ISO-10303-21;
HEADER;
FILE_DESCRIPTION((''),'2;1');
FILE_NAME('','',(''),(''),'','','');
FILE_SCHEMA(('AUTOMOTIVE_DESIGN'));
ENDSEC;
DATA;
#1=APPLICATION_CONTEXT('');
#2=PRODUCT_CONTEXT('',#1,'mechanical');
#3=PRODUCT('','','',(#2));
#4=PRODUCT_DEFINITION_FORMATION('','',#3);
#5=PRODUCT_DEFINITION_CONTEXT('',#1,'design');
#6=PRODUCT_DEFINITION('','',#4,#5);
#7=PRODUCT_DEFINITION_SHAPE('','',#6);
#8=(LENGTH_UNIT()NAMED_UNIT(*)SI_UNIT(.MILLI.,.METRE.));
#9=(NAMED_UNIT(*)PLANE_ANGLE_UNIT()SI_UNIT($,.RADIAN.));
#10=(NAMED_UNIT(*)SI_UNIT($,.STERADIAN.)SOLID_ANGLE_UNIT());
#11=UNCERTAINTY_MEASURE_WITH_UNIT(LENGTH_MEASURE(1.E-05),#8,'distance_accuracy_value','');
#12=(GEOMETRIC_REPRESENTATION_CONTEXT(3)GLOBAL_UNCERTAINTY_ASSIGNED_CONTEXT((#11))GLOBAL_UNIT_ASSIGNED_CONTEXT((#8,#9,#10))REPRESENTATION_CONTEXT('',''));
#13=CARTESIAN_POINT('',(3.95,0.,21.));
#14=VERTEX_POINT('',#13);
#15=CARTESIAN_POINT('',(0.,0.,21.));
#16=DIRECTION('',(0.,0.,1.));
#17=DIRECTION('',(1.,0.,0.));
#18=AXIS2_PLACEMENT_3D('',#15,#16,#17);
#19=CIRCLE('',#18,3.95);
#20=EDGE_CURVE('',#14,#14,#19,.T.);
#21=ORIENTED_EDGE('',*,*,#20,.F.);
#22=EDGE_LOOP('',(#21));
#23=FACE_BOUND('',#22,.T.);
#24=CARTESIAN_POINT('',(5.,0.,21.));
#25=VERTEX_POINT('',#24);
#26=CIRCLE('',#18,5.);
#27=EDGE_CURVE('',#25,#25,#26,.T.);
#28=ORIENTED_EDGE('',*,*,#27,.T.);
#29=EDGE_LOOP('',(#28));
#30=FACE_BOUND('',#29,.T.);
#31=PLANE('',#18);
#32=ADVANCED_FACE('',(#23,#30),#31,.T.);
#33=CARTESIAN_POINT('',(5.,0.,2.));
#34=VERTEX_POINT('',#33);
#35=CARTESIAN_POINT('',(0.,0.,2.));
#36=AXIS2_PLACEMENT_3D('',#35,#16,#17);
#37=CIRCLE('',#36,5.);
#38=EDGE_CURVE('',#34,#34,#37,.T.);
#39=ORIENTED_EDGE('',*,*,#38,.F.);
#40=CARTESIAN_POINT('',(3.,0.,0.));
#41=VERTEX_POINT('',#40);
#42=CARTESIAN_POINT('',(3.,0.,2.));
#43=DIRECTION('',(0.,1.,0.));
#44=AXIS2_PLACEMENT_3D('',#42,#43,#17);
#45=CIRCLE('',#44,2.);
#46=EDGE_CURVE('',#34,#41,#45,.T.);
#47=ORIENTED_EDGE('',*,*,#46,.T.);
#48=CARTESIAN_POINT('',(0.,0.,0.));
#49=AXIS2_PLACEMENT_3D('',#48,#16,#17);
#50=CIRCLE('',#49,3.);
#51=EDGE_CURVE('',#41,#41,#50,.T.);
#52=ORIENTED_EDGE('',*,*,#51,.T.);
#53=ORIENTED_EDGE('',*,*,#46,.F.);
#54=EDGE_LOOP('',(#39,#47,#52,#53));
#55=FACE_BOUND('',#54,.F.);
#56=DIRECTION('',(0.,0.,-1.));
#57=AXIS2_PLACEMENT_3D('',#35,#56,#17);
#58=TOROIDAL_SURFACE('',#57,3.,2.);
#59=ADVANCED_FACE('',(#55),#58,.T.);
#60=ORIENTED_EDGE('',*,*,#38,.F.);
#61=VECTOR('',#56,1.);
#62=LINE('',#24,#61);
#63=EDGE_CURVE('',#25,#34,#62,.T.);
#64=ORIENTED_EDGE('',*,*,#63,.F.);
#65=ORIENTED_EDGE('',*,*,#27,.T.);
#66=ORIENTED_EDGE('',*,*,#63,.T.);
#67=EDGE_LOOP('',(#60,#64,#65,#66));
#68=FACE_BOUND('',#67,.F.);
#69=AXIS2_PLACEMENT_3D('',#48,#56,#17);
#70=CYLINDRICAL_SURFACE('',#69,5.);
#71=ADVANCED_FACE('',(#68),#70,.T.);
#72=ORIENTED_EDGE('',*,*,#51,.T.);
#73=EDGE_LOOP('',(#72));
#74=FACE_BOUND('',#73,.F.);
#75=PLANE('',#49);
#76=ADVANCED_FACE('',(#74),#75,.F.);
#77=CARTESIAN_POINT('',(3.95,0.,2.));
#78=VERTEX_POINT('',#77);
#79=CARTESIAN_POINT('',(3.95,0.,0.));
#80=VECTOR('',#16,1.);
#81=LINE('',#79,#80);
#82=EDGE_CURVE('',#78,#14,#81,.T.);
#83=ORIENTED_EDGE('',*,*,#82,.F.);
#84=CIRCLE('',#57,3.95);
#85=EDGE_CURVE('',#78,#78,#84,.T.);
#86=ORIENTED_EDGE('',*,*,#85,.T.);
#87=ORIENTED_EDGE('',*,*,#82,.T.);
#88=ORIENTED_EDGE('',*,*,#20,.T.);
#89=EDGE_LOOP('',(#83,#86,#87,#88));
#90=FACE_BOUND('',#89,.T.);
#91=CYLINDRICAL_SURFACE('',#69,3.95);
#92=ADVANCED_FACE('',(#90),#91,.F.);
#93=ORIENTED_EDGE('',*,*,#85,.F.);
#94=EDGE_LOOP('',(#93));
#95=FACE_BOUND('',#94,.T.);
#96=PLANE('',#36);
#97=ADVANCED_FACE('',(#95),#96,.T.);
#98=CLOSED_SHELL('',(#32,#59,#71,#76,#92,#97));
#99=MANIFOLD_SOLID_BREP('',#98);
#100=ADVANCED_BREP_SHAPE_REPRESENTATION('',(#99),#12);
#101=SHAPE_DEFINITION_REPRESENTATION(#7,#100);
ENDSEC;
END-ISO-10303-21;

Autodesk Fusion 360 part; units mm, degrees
sketch "Sketch1" plane through (0, 0, 0) normal (0, 0, 1) x (1, 0, 0)
  circle A0 centre (0, 0) radius 5
  circle A1 centre (0, 0) radius 3.95
  dimension "d1" = 10
  dimension "d2" = 7.9
extrude "Extrude1" add sketch "Sketch1" along normal blind 2 contours A0 | A1
extrude "Extrude2" add sketch "Sketch1" along normal blind 21
fillet "Fillet1" radius 2 1 edges at (-4.6616, -1.8081, 0)
